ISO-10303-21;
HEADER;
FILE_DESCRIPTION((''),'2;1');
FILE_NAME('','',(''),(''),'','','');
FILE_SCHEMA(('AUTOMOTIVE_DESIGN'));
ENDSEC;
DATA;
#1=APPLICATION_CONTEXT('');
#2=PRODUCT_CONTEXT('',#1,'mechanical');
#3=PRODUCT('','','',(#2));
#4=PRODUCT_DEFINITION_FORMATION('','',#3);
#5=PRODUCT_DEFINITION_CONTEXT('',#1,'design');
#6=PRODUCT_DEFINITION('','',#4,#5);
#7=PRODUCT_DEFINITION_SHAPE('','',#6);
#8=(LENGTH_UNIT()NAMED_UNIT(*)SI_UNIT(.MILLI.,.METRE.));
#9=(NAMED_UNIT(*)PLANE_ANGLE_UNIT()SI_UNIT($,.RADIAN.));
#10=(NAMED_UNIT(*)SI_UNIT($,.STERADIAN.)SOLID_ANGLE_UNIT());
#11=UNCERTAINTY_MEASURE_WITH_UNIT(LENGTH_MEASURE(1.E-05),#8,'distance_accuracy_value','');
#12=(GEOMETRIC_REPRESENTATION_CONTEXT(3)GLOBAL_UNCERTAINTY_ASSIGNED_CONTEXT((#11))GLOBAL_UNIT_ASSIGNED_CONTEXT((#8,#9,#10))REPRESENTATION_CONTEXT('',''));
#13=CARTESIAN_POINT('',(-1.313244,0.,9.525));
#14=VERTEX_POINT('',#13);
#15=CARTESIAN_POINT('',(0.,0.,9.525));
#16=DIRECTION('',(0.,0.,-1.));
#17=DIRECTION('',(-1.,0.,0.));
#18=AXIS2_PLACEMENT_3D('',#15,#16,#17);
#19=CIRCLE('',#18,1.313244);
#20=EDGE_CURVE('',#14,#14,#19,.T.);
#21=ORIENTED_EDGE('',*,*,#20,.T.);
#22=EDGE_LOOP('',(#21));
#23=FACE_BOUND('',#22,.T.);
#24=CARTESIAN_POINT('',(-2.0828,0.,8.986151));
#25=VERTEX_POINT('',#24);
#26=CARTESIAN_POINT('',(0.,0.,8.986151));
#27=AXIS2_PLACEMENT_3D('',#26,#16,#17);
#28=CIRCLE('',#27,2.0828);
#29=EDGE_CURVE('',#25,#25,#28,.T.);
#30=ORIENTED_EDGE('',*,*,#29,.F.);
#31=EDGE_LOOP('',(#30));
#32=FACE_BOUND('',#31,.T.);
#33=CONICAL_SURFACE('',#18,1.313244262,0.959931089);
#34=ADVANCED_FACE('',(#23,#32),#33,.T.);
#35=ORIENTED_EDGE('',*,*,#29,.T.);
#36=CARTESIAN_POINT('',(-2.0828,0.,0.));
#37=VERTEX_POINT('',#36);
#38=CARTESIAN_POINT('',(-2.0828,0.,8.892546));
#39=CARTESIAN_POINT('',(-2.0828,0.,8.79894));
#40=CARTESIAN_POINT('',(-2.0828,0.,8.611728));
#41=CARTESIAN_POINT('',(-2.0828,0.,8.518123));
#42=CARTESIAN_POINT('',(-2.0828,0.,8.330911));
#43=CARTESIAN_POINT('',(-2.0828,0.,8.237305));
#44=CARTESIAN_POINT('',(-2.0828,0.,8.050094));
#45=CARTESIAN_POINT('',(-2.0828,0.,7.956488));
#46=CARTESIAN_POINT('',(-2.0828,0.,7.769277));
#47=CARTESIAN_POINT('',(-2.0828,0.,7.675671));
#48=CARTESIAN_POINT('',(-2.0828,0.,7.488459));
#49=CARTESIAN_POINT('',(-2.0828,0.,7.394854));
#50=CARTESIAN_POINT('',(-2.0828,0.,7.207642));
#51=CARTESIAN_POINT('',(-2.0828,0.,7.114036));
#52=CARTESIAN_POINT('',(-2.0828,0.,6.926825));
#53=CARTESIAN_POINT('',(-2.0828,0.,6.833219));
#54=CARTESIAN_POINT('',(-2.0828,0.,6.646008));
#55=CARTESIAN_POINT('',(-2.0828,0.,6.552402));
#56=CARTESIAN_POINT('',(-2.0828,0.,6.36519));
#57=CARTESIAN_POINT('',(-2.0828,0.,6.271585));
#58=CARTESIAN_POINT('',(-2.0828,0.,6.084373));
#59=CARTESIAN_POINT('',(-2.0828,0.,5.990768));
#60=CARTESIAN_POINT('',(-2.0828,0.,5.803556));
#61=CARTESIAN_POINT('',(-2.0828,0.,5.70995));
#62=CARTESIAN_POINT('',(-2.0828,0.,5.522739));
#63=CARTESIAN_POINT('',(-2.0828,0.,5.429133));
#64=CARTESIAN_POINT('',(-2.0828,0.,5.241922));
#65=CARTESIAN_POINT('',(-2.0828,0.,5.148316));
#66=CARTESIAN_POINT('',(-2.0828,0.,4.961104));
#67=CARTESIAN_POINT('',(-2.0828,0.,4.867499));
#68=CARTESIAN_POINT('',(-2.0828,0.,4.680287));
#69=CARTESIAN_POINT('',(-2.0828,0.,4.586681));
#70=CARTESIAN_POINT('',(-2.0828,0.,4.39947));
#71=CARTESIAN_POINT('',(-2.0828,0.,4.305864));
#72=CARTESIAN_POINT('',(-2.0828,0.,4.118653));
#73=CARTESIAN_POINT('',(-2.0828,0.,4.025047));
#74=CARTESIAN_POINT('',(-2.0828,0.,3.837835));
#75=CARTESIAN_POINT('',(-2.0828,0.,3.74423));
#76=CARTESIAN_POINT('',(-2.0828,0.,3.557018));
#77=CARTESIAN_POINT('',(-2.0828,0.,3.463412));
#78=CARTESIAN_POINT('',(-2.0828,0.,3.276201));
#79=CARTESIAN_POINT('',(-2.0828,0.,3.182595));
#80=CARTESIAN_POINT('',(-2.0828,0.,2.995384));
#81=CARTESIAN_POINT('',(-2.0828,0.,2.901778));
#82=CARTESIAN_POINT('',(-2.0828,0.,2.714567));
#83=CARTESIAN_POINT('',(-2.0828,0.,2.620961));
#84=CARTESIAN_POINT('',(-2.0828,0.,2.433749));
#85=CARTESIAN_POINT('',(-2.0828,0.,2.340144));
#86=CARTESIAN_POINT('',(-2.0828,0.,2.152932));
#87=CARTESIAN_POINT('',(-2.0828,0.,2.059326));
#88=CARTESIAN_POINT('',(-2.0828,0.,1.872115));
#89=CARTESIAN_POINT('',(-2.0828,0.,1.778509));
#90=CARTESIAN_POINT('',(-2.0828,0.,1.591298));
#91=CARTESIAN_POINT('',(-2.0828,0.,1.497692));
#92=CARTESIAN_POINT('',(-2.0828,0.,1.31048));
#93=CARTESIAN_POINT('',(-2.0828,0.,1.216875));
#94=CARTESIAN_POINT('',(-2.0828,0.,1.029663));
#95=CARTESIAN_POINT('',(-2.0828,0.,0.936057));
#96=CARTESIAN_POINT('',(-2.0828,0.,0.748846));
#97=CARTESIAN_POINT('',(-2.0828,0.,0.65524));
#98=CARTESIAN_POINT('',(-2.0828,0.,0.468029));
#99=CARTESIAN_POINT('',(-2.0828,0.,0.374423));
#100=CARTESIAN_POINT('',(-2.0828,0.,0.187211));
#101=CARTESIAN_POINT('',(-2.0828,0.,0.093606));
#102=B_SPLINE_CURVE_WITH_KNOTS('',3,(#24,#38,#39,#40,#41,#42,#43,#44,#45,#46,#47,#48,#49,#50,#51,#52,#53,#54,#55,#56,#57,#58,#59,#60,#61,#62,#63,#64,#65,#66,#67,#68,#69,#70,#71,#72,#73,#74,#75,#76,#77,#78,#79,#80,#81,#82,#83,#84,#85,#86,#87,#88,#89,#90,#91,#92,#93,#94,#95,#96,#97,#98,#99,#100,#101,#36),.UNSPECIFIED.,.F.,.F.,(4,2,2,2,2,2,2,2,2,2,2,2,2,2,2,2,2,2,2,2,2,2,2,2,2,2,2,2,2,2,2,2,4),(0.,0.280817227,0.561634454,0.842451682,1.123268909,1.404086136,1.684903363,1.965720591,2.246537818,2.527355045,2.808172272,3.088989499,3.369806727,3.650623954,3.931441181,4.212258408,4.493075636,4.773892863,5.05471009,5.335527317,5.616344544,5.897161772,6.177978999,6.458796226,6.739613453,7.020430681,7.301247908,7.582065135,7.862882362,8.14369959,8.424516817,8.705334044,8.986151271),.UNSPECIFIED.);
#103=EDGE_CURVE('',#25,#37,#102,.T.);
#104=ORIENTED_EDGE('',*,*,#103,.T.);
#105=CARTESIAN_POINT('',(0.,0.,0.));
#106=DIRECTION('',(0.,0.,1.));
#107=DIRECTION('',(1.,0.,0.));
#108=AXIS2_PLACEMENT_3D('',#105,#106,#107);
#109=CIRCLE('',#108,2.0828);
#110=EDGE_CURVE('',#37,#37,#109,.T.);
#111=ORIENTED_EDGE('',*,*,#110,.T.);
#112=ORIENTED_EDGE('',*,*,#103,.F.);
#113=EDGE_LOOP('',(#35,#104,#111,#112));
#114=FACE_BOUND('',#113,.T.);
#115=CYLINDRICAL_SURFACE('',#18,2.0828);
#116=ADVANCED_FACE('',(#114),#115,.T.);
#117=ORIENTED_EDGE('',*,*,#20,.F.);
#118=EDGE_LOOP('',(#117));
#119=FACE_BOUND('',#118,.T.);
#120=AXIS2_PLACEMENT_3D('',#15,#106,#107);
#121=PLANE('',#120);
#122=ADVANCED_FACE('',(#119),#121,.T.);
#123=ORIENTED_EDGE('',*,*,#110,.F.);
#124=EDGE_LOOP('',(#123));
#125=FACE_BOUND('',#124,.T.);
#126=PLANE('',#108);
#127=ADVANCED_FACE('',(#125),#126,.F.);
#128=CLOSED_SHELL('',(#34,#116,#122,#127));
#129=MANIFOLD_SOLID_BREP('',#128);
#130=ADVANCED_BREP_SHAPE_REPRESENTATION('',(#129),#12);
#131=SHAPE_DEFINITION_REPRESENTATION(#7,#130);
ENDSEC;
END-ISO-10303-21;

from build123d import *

# Parameters (mm, degrees)
SKETCH1_R           = 2.0828
BOSS_EXTRUDE1_DEPTH = 9.525


with BuildPart() as part:
    # Sketch1 → Boss-Extrude1 (new body)
    with BuildSketch(Plane.XY):
        Circle(SKETCH1_R)
    extrude(amount=BOSS_EXTRUDE1_DEPTH)

    # Sketch2 → Cut-Revolve1 (revolve, cut)
    with BuildSketch(Plane(origin=(0, 0, 0), x_dir=(0, 0, -1), z_dir=(1, 0, 0))):
        Polygon((-9.525, 2.0828), (-9.525, 1.313244262), (-8.986151271, 2.0828), align=None)
    revolve(axis=Axis((0, 0, 0), (0, 0, 1)), mode=Mode.SUBTRACT)


solid = part.part
